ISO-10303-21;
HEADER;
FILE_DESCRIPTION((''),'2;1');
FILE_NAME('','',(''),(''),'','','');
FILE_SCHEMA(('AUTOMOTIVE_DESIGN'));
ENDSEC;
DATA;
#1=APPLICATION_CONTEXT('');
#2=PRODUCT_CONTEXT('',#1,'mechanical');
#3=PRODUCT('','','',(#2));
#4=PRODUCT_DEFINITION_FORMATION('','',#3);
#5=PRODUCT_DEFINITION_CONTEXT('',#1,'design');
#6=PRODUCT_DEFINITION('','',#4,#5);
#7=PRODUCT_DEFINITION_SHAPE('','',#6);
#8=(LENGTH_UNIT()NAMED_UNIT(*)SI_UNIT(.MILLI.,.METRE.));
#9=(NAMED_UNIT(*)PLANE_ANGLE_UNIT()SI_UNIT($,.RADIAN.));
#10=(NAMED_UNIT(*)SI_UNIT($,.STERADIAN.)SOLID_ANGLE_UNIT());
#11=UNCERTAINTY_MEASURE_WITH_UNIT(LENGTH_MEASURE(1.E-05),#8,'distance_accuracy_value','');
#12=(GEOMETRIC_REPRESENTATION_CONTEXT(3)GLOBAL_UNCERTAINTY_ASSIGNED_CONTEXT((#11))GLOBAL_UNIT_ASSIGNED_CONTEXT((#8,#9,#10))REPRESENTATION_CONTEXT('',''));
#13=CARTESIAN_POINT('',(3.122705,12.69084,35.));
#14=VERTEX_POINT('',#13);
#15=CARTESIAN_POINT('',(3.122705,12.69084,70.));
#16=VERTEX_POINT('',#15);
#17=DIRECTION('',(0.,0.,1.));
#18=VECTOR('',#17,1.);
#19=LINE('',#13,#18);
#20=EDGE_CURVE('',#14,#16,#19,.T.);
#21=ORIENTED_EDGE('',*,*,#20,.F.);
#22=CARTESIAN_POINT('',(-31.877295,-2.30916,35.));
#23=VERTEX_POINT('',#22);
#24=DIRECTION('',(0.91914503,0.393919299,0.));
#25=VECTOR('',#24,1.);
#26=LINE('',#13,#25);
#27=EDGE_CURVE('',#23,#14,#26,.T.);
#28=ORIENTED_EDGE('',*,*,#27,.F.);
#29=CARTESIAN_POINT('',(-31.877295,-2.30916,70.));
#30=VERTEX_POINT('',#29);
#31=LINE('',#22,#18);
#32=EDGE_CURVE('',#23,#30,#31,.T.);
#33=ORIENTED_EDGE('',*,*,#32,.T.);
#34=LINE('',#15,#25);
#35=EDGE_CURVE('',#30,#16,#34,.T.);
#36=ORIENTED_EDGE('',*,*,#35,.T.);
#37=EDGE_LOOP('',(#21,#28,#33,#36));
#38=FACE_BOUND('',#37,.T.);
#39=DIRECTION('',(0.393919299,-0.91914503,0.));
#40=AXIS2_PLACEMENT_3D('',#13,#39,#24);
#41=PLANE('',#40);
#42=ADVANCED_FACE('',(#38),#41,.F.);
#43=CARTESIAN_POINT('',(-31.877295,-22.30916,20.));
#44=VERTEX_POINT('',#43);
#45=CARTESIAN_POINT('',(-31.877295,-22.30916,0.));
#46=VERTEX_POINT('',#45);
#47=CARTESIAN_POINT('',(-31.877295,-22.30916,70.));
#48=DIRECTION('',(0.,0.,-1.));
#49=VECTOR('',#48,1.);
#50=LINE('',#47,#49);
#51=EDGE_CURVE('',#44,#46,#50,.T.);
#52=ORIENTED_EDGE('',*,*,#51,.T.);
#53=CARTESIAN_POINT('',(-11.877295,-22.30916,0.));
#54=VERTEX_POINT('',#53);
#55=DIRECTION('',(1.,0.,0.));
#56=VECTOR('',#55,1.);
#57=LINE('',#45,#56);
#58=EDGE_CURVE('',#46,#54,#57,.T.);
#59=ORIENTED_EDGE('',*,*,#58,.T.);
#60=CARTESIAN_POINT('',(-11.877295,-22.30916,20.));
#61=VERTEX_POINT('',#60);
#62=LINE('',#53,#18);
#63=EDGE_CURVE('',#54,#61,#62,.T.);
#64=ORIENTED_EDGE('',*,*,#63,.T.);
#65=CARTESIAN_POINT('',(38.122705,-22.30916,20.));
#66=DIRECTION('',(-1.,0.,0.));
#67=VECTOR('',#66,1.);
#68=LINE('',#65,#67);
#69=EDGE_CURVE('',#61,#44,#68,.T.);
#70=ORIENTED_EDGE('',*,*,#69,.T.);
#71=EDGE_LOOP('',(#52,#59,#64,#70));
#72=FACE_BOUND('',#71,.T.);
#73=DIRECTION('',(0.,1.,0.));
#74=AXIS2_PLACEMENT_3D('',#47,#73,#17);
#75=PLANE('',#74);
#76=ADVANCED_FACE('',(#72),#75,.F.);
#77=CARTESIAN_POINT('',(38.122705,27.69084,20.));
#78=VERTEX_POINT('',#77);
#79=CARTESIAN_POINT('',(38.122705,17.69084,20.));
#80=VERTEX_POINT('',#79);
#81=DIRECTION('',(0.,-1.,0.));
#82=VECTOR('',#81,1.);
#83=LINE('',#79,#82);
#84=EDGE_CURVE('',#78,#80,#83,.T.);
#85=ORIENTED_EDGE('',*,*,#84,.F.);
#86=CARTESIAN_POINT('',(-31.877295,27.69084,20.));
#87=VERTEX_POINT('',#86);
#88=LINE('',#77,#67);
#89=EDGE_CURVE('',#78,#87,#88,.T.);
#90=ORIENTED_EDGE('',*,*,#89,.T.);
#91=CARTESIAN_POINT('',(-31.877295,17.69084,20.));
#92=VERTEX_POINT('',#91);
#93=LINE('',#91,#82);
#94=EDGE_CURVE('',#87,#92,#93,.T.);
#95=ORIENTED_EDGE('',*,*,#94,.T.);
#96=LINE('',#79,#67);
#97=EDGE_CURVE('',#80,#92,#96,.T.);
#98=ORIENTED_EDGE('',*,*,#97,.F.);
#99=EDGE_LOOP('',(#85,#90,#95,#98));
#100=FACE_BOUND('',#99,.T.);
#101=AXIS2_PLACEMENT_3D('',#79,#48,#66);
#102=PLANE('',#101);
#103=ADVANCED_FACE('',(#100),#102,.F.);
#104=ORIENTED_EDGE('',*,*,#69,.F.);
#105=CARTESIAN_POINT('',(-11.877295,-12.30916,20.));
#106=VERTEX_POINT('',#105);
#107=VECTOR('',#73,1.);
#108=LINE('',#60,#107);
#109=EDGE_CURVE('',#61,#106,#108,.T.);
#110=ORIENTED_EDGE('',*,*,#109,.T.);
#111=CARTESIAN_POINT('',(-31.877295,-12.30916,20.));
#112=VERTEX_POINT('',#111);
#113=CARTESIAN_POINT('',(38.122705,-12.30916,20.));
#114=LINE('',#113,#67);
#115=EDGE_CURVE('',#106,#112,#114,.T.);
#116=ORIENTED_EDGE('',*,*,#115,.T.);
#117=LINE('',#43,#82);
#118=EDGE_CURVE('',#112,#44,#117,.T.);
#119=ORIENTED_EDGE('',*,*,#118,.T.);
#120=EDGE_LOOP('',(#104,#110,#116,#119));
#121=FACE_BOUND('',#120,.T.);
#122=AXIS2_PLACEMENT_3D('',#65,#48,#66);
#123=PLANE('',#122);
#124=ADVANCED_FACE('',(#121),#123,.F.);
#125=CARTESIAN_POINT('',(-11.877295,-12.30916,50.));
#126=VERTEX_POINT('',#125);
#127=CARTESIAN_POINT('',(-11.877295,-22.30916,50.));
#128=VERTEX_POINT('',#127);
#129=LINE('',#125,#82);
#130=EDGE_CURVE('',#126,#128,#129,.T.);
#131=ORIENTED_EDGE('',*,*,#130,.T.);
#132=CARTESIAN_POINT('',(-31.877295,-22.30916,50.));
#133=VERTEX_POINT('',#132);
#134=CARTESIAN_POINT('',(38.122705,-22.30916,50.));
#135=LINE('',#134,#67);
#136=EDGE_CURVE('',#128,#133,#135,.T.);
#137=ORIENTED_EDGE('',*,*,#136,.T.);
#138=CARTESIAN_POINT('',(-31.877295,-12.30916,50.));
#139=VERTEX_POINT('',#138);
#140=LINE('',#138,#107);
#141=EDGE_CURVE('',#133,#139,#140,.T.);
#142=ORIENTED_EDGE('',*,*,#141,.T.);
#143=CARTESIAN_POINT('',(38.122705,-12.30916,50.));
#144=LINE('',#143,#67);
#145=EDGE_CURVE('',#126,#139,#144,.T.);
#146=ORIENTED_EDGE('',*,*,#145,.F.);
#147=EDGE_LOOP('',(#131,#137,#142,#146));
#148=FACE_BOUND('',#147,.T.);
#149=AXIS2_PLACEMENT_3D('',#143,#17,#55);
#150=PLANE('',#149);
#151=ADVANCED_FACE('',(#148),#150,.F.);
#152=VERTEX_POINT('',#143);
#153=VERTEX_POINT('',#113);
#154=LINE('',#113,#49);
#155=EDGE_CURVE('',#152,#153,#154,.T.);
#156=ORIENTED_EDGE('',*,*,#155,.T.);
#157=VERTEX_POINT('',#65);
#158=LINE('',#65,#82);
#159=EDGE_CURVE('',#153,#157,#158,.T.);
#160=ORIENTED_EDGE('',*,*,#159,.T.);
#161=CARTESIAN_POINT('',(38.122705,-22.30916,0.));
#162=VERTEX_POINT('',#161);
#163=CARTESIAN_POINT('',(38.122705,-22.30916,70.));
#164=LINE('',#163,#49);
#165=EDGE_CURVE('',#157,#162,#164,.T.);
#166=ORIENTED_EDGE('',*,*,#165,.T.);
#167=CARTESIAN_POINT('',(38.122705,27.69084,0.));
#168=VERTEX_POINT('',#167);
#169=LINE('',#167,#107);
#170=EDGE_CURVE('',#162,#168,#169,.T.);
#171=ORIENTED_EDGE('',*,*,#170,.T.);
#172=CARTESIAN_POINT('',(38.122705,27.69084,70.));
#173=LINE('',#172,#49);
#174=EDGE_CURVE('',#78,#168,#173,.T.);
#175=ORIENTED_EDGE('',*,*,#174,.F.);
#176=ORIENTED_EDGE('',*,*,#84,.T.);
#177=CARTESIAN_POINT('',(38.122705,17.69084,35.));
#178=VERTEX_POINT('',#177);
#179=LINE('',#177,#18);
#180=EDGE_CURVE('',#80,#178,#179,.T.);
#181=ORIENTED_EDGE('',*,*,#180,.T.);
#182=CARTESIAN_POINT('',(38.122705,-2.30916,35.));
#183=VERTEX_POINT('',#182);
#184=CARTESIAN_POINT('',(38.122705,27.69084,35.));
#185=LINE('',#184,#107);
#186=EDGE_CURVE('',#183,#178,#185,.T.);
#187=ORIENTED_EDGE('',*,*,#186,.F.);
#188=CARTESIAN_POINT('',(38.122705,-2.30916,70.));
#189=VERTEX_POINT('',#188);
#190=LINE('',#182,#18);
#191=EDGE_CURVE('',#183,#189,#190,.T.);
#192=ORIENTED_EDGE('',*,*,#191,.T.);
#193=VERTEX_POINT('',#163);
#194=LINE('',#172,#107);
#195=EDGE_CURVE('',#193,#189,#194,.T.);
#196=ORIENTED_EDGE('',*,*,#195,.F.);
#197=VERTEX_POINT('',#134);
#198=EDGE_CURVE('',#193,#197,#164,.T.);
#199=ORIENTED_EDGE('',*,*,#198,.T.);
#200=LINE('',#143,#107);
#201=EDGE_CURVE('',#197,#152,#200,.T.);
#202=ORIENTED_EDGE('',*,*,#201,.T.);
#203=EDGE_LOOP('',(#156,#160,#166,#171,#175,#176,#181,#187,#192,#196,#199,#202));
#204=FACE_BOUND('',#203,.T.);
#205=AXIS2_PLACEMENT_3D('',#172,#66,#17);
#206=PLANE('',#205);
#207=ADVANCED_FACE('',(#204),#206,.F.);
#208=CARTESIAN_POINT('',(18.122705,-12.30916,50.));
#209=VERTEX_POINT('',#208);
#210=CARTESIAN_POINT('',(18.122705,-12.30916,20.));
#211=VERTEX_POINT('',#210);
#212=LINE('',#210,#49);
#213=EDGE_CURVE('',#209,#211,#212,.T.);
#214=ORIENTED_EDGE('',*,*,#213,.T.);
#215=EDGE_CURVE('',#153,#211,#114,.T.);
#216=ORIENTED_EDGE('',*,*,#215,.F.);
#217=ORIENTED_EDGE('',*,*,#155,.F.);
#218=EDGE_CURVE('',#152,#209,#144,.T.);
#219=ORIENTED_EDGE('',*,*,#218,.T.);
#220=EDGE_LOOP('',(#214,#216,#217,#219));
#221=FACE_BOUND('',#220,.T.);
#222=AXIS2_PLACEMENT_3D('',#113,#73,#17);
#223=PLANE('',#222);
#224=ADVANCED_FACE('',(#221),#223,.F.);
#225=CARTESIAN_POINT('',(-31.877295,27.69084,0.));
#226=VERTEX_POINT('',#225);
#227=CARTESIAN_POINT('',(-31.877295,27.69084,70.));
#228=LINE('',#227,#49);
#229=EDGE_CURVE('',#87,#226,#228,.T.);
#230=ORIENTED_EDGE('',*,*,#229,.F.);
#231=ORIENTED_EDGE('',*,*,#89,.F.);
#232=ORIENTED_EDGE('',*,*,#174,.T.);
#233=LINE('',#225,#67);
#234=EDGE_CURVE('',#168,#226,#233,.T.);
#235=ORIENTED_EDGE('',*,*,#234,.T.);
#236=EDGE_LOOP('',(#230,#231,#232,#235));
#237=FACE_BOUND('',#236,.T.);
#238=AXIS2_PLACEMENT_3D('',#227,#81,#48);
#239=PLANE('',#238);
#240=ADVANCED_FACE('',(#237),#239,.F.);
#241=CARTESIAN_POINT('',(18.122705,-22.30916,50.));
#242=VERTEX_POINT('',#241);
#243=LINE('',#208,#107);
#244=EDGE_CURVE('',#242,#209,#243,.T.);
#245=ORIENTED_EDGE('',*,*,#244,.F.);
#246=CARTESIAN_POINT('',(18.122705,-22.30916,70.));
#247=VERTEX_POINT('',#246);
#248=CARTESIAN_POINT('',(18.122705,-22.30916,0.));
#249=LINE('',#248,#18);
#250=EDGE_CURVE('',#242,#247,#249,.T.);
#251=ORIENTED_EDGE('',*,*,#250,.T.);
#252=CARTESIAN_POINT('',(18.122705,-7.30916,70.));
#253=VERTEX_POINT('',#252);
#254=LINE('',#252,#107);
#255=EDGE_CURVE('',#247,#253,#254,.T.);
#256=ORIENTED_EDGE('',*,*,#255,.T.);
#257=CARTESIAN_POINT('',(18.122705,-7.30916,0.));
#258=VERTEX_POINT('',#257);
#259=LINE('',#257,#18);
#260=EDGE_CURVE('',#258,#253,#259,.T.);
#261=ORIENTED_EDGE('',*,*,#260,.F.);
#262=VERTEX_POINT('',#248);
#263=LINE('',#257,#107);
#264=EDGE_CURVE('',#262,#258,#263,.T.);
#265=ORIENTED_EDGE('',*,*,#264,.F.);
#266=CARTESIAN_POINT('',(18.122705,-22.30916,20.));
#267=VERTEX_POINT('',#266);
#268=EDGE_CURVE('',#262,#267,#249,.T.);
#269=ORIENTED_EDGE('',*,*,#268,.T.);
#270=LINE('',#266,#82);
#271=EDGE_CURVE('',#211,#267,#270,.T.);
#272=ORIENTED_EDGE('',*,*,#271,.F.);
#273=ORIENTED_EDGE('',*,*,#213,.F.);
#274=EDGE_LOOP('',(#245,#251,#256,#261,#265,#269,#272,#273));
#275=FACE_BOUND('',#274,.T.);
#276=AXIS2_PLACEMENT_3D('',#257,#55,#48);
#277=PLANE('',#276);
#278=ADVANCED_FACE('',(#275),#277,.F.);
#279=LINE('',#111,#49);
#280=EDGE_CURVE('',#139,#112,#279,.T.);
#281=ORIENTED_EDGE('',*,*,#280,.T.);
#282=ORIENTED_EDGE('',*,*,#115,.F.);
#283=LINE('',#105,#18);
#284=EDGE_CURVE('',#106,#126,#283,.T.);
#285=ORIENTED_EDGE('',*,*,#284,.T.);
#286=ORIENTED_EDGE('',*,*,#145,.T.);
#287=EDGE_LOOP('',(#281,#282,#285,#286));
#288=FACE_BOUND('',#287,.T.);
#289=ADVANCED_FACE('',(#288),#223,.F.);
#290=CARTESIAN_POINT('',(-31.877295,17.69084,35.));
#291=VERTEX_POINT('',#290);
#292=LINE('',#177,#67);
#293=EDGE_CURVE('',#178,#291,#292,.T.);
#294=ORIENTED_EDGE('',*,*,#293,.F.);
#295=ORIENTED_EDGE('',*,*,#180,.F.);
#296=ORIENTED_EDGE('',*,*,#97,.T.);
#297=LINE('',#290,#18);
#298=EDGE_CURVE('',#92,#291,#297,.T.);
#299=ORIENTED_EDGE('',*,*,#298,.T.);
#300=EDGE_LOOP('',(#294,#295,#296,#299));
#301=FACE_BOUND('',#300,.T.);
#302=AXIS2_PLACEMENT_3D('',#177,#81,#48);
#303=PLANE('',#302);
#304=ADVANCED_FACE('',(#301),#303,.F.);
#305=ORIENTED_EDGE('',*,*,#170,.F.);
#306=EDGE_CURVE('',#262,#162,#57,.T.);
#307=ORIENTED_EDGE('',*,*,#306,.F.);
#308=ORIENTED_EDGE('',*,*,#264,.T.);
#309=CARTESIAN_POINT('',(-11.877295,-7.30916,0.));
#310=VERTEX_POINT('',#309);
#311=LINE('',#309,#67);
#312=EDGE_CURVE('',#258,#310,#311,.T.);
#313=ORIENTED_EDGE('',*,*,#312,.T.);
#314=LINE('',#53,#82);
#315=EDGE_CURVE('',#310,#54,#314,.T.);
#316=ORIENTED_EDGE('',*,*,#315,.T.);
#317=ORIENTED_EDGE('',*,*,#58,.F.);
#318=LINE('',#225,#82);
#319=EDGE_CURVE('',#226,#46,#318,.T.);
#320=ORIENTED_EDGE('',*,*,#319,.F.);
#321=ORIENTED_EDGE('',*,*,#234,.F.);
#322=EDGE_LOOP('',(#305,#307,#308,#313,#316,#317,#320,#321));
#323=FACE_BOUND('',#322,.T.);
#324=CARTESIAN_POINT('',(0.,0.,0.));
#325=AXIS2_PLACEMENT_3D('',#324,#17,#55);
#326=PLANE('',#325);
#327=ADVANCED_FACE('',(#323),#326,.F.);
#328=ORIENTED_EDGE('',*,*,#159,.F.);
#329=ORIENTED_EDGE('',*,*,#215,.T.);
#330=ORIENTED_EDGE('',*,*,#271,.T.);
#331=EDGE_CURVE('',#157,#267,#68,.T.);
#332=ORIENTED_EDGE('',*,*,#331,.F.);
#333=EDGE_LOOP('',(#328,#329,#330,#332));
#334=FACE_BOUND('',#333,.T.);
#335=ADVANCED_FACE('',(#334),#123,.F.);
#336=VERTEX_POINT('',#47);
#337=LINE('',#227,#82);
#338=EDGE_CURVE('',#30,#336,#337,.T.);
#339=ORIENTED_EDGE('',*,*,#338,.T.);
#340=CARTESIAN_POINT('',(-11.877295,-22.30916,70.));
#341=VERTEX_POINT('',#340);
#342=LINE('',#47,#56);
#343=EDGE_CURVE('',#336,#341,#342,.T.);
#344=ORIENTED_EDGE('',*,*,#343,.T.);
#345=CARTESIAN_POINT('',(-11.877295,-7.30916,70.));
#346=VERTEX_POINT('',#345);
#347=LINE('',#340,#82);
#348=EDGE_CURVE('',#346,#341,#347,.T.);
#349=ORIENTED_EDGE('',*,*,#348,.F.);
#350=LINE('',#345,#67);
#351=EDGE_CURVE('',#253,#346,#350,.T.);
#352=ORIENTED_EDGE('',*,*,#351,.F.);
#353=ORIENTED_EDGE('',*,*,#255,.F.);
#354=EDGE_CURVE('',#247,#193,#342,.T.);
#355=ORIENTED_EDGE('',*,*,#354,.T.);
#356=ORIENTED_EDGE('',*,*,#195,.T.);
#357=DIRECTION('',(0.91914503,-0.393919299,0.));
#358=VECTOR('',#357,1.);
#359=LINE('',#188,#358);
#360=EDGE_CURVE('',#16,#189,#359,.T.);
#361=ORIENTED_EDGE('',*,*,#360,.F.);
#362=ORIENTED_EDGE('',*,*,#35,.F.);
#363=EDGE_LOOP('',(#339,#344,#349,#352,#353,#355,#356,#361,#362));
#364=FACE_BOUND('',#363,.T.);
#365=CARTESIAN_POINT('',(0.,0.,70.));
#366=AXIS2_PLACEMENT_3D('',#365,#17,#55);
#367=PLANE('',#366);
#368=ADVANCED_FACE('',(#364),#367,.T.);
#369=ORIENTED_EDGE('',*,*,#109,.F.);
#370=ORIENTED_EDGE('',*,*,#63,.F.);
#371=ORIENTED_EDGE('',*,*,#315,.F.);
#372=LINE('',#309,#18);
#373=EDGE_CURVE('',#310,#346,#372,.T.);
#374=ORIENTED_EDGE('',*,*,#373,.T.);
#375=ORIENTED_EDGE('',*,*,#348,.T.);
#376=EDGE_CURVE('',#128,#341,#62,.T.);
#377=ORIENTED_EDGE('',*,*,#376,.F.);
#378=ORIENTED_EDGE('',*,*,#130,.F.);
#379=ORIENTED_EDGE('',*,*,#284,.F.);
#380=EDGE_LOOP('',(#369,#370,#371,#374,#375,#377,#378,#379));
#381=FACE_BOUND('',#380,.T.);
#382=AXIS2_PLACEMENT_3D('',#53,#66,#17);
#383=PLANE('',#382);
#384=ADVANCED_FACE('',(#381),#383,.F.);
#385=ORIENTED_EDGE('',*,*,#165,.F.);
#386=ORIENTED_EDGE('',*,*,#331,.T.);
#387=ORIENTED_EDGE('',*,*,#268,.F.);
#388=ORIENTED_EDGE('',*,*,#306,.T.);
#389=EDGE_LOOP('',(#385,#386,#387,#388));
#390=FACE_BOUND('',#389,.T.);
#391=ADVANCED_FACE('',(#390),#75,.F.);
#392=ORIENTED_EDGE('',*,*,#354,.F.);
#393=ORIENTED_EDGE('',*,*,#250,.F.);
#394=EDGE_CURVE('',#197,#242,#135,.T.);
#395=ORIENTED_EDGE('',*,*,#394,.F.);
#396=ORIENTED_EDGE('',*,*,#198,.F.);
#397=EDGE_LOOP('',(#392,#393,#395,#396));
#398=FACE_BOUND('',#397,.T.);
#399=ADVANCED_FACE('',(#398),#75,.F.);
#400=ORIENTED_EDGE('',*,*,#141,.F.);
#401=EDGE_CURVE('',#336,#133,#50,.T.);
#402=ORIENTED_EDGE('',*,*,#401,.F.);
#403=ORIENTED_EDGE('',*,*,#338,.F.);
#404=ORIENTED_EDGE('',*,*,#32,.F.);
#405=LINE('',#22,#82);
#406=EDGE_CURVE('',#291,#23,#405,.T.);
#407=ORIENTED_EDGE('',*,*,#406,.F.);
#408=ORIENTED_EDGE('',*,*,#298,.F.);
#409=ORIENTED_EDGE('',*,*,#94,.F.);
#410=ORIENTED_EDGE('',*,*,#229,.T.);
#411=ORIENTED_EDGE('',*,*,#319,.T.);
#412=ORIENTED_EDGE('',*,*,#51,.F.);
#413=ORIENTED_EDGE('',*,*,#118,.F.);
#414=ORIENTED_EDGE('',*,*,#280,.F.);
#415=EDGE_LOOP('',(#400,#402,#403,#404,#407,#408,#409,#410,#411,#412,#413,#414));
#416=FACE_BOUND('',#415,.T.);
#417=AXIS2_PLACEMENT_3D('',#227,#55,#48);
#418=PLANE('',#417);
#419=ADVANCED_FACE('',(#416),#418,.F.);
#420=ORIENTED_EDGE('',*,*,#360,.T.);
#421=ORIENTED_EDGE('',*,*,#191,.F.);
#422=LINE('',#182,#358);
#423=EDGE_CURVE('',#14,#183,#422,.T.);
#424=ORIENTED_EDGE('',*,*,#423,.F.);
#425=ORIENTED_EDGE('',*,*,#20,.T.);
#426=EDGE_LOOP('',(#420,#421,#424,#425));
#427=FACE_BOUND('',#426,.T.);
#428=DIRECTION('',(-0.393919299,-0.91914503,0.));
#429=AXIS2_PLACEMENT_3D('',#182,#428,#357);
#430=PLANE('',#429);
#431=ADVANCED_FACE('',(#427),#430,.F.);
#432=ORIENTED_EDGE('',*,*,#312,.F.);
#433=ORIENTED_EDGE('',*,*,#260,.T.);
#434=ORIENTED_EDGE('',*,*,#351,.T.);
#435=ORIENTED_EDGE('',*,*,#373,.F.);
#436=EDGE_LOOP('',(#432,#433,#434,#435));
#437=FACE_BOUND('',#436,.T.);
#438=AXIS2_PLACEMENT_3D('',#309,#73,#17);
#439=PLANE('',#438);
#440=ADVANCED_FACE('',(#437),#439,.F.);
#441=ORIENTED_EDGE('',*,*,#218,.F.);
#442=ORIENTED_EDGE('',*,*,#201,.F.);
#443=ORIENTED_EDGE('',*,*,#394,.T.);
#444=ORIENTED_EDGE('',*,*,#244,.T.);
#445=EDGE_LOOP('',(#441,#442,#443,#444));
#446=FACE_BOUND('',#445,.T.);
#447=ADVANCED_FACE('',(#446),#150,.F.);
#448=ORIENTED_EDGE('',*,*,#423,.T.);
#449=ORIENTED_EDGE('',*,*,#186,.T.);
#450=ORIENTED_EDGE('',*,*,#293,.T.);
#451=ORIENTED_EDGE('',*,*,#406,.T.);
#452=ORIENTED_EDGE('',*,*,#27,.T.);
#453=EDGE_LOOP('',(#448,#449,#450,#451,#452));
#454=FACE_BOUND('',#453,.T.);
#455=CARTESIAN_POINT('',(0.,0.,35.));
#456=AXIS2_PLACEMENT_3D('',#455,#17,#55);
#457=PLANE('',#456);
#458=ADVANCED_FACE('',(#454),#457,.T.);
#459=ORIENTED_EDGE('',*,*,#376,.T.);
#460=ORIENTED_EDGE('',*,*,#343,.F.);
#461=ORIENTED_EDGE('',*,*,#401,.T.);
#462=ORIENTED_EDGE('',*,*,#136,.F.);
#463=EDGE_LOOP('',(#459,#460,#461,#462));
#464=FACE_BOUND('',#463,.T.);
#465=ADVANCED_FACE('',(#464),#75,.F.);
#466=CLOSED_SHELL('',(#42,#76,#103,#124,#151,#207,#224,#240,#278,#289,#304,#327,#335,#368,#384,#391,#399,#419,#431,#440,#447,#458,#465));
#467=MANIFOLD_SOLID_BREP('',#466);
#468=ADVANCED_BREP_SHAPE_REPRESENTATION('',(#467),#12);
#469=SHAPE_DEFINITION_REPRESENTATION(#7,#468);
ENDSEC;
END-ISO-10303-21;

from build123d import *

# Parameters (mm, degrees)
IZIM1_W                     = 70
IZIM1_H                     = 50
Y_KSEKLIK_EKSTR_ZYON2_DEPTH = 70
IZIM2_W                     = 30
IZIM2_H                     = 10
KES_EKSTR_ZYON1_DEPTH       = 70
IZIM7_W                     = 30
IZIM7_H                     = 15
KES_EKSTR_ZYON3_DEPTH       = 70
KES_EKSTR_ZYON4_DEPTH       = 35
IZIM9_W                     = 15
IZIM9_H                     = 10
KES_EKSTR_ZYON5_DEPTH       = 70


with BuildPart() as part:
    # Çizim1 → Yükseklik-Ekstrüzyon2 (new body)
    with BuildSketch(Plane.XY):
        with Locations((3.122705421, 2.690839695)):
            Rectangle(IZIM1_W, IZIM1_H)
    extrude(amount=Y_KSEKLIK_EKSTR_ZYON2_DEPTH)

    # Çizim2 → Kes-Ekstrüzyon1 (cut)
    with BuildSketch(Plane.ZY.offset(31.877294579)):
        with Locations((35, -17.309160305)):
            Rectangle(IZIM2_W, IZIM2_H)
    extrude(amount=-KES_EKSTR_ZYON1_DEPTH, mode=Mode.SUBTRACT)

    # Çizim7 → Kes-Ekstrüzyon3 (cut)
    with BuildSketch(Plane.XY.offset(70)):
        with Locations((3.122705421, -14.809160305)):
            Rectangle(IZIM7_W, IZIM7_H)
    extrude(amount=-KES_EKSTR_ZYON3_DEPTH, mode=Mode.SUBTRACT)

    # Çizim8 → Kes-Ekstrüzyon4 (cut)
    with BuildSketch(Plane.XY.offset(70)):
        Polygon((38.122705421, -2.309160305), (3.122705421, 12.690839695), (-31.877294579, -2.309160305), (-31.877294579, 27.690839695), (38.122705421, 27.690839695), align=None)
    extrude(amount=-KES_EKSTR_ZYON4_DEPTH, mode=Mode.SUBTRACT)

    # Çizim9 → Kes-Ekstrüzyon5 (cut)
    with BuildSketch(Plane.ZY.offset(31.877294579)):
        with Locations((27.5, 22.690839695)):
            Rectangle(IZIM9_W, IZIM9_H)
    extrude(amount=-KES_EKSTR_ZYON5_DEPTH, mode=Mode.SUBTRACT)


solid = part.part
